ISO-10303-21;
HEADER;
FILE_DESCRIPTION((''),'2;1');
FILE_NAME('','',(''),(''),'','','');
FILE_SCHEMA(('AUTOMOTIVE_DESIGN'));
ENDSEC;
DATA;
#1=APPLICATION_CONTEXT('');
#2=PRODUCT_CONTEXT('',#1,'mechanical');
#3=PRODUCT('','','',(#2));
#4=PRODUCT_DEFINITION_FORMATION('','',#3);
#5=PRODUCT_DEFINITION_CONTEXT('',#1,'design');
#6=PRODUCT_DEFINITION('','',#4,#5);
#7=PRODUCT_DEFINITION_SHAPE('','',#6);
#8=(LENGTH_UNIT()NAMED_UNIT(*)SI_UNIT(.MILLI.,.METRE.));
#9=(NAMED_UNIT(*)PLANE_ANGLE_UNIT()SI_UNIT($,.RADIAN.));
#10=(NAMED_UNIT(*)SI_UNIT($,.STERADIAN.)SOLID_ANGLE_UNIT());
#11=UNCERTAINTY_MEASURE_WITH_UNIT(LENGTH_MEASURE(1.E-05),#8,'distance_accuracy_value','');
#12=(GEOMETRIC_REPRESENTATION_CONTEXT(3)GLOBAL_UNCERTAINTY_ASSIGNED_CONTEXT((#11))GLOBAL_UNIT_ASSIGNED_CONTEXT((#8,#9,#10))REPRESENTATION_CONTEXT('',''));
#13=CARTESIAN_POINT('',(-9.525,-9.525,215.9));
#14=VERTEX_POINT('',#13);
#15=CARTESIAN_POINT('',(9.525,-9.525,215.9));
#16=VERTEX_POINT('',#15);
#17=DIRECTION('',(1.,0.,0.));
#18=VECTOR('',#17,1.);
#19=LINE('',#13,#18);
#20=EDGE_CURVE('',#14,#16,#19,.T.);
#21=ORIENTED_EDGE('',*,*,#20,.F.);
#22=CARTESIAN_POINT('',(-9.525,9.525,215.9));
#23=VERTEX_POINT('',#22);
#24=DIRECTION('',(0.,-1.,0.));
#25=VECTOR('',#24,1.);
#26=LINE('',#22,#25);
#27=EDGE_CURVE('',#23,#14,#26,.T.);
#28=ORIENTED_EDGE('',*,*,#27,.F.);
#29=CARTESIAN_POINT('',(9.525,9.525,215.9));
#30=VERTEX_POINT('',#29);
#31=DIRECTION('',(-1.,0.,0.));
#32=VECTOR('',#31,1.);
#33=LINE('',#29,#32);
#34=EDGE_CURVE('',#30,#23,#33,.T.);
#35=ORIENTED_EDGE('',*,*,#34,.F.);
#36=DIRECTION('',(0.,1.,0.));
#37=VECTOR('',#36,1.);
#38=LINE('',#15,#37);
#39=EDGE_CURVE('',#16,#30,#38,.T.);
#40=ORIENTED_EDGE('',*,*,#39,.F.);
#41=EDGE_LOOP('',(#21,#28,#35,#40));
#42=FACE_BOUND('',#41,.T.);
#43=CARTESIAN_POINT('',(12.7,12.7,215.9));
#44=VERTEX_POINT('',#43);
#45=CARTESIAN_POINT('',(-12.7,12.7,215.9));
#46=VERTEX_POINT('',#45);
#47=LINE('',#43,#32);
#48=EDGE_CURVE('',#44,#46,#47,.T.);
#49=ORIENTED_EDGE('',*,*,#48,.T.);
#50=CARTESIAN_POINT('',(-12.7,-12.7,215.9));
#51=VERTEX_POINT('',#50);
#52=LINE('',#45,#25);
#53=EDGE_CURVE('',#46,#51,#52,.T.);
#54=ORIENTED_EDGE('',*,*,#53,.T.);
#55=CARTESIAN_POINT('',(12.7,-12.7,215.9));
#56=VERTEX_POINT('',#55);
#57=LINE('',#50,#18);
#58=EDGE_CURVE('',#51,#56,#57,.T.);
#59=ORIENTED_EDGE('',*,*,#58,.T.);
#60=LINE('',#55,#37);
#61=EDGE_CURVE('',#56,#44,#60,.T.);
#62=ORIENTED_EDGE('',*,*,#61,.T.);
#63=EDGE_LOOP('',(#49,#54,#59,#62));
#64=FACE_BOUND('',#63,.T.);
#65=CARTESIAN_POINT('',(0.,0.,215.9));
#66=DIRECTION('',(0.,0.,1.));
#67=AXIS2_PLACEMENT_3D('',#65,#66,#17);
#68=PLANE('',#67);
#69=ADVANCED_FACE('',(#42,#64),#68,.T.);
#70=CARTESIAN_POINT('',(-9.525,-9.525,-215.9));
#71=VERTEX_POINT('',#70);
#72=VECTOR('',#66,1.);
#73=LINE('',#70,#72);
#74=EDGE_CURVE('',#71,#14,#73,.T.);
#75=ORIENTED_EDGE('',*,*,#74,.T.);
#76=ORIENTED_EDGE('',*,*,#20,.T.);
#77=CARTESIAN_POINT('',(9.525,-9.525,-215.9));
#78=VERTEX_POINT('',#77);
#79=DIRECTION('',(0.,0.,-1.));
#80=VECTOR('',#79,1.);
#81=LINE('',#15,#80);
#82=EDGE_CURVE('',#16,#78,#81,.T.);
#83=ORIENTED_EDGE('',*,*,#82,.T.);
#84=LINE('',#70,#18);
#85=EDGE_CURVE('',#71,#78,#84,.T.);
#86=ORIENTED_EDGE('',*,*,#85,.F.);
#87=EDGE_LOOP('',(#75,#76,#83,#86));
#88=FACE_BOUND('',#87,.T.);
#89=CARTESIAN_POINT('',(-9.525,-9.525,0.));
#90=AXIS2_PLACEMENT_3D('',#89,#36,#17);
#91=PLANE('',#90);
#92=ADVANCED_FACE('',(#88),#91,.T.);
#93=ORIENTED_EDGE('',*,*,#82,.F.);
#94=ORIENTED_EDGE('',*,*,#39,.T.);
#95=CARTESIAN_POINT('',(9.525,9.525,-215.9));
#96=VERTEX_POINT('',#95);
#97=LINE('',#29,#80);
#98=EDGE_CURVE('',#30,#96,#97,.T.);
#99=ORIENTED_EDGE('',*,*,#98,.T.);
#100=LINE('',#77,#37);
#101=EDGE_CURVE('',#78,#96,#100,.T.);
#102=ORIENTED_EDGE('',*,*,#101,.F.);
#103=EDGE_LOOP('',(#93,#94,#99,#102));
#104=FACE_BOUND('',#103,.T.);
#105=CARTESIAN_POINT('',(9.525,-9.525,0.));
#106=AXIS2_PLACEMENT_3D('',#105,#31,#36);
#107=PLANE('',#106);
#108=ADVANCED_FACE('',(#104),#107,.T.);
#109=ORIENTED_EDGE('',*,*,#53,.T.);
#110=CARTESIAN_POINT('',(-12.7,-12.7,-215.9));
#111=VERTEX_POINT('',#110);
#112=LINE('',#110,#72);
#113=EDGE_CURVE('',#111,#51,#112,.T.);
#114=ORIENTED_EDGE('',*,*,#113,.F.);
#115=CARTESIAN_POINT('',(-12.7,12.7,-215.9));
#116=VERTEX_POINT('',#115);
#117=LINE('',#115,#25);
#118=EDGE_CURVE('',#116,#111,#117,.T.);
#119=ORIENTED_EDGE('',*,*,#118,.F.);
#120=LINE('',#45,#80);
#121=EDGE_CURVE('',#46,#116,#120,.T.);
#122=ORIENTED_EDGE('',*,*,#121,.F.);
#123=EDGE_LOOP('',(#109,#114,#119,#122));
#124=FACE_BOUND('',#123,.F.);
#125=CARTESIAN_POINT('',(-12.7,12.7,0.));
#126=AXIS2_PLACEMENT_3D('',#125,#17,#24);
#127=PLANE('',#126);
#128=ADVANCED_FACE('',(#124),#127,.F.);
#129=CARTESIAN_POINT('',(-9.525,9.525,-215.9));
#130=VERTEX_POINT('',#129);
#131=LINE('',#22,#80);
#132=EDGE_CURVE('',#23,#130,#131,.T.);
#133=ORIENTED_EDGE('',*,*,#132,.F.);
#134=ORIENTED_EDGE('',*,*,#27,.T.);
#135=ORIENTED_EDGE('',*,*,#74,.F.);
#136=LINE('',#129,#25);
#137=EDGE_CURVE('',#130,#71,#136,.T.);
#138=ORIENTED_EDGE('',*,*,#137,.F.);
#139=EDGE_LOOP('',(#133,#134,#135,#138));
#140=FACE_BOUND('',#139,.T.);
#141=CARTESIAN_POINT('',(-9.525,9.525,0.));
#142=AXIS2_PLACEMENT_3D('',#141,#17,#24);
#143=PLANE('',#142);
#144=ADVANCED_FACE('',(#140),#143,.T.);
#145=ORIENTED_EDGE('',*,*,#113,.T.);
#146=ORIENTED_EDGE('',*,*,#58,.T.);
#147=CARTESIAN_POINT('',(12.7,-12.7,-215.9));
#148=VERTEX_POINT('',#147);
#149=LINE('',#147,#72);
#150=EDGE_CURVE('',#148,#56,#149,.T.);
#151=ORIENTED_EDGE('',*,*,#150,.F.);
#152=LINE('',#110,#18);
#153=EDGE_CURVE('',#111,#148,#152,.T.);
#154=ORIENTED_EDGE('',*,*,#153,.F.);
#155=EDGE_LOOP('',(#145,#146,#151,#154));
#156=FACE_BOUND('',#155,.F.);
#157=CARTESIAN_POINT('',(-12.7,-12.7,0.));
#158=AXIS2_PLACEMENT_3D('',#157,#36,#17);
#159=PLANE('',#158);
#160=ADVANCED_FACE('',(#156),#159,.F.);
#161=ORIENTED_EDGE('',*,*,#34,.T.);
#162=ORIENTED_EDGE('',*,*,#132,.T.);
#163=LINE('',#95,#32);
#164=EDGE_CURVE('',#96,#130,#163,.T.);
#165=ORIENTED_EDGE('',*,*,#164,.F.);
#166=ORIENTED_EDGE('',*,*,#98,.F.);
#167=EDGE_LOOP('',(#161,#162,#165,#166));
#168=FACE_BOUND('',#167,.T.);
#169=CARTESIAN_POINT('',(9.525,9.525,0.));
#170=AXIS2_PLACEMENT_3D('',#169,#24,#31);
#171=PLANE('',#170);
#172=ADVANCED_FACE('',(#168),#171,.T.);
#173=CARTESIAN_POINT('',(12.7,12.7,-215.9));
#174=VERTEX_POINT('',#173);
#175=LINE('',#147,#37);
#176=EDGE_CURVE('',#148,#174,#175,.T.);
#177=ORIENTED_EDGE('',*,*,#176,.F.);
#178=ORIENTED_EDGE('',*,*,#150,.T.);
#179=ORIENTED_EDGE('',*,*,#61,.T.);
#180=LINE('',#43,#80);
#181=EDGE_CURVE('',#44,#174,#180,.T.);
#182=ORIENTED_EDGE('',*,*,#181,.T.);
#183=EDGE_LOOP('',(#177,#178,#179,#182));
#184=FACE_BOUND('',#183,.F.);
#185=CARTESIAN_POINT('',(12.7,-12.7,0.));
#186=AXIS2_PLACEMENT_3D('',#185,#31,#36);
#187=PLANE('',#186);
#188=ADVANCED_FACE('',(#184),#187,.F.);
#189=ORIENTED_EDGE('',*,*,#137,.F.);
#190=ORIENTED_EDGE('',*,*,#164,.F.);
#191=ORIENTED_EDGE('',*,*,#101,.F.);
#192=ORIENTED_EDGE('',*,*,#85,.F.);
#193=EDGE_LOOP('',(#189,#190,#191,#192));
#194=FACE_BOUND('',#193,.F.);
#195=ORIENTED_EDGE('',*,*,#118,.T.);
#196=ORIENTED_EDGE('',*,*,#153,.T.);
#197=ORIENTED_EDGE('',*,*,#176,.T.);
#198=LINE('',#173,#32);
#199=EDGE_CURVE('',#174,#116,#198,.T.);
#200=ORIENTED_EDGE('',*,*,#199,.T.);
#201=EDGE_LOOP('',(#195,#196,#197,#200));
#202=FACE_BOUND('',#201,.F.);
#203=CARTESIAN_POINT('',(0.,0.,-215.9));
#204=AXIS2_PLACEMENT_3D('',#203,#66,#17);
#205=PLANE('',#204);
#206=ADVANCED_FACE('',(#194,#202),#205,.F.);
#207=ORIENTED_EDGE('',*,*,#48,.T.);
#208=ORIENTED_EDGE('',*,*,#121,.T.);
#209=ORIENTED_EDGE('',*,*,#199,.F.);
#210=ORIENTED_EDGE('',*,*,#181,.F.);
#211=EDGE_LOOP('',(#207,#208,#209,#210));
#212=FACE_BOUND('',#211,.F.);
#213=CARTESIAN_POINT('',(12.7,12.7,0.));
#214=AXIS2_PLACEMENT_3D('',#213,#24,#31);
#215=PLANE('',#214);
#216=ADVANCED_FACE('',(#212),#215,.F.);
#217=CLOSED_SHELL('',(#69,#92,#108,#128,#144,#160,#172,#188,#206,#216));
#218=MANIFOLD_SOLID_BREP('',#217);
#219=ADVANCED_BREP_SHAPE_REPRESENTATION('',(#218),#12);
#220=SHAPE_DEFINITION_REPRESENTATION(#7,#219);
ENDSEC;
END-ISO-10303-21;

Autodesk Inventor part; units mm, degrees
ref_plane "YZ Plane" through (0, 0, 0) normal (1, 0, 0) x (0, 1, 0)
ref_plane "XZ Plane" through (0, 0, 0) normal (0, 1, 0) x (-1, 0, 0)
ref_plane "XY Plane" through (0, 0, 0) normal (0, 0, 1) x (1, 0, 0)
sketch "Sketch1" plane through (0, 0, 0) normal (0, 0, 1) x (1, 0, 0)
  line L0 (-12.7, -12.7) -> (12.7, -12.7)
  line L1 (12.7, -12.7) -> (12.7, 12.7)
  line L2 (12.7, 12.7) -> (-12.7, 12.7)
  line L3 (-12.7, 12.7) -> (-12.7, -12.7)
  line L4 (-12.7, -12.7) -> (12.7, 12.7) construction
  line L5 (12.7, -12.7) -> (-12.7, 12.7) construction
  line L6 (-9.525, -9.525) -> (9.525, -9.525)
  line L7 (9.525, -9.525) -> (9.525, 9.525)
  line L8 (9.525, 9.525) -> (-9.525, 9.525)
  line L9 (-9.525, 9.525) -> (-9.525, -9.525)
  line L10 (-9.525, -9.525) -> (9.525, 9.525) construction
  line L11 (9.525, -9.525) -> (-9.525, 9.525) construction
  point P0 (0, 0)
  dimension "d0" = 25.4
  dimension "d1" = 25.4
  dimension "d2" = 3.175
  dimension "d3" = 3.175
extrude "Extrusion1" add sketch "Sketch1" along normal mid plane 431.8
properties part number "17-inchAluminumTubing" material "Aluminum 6061"
